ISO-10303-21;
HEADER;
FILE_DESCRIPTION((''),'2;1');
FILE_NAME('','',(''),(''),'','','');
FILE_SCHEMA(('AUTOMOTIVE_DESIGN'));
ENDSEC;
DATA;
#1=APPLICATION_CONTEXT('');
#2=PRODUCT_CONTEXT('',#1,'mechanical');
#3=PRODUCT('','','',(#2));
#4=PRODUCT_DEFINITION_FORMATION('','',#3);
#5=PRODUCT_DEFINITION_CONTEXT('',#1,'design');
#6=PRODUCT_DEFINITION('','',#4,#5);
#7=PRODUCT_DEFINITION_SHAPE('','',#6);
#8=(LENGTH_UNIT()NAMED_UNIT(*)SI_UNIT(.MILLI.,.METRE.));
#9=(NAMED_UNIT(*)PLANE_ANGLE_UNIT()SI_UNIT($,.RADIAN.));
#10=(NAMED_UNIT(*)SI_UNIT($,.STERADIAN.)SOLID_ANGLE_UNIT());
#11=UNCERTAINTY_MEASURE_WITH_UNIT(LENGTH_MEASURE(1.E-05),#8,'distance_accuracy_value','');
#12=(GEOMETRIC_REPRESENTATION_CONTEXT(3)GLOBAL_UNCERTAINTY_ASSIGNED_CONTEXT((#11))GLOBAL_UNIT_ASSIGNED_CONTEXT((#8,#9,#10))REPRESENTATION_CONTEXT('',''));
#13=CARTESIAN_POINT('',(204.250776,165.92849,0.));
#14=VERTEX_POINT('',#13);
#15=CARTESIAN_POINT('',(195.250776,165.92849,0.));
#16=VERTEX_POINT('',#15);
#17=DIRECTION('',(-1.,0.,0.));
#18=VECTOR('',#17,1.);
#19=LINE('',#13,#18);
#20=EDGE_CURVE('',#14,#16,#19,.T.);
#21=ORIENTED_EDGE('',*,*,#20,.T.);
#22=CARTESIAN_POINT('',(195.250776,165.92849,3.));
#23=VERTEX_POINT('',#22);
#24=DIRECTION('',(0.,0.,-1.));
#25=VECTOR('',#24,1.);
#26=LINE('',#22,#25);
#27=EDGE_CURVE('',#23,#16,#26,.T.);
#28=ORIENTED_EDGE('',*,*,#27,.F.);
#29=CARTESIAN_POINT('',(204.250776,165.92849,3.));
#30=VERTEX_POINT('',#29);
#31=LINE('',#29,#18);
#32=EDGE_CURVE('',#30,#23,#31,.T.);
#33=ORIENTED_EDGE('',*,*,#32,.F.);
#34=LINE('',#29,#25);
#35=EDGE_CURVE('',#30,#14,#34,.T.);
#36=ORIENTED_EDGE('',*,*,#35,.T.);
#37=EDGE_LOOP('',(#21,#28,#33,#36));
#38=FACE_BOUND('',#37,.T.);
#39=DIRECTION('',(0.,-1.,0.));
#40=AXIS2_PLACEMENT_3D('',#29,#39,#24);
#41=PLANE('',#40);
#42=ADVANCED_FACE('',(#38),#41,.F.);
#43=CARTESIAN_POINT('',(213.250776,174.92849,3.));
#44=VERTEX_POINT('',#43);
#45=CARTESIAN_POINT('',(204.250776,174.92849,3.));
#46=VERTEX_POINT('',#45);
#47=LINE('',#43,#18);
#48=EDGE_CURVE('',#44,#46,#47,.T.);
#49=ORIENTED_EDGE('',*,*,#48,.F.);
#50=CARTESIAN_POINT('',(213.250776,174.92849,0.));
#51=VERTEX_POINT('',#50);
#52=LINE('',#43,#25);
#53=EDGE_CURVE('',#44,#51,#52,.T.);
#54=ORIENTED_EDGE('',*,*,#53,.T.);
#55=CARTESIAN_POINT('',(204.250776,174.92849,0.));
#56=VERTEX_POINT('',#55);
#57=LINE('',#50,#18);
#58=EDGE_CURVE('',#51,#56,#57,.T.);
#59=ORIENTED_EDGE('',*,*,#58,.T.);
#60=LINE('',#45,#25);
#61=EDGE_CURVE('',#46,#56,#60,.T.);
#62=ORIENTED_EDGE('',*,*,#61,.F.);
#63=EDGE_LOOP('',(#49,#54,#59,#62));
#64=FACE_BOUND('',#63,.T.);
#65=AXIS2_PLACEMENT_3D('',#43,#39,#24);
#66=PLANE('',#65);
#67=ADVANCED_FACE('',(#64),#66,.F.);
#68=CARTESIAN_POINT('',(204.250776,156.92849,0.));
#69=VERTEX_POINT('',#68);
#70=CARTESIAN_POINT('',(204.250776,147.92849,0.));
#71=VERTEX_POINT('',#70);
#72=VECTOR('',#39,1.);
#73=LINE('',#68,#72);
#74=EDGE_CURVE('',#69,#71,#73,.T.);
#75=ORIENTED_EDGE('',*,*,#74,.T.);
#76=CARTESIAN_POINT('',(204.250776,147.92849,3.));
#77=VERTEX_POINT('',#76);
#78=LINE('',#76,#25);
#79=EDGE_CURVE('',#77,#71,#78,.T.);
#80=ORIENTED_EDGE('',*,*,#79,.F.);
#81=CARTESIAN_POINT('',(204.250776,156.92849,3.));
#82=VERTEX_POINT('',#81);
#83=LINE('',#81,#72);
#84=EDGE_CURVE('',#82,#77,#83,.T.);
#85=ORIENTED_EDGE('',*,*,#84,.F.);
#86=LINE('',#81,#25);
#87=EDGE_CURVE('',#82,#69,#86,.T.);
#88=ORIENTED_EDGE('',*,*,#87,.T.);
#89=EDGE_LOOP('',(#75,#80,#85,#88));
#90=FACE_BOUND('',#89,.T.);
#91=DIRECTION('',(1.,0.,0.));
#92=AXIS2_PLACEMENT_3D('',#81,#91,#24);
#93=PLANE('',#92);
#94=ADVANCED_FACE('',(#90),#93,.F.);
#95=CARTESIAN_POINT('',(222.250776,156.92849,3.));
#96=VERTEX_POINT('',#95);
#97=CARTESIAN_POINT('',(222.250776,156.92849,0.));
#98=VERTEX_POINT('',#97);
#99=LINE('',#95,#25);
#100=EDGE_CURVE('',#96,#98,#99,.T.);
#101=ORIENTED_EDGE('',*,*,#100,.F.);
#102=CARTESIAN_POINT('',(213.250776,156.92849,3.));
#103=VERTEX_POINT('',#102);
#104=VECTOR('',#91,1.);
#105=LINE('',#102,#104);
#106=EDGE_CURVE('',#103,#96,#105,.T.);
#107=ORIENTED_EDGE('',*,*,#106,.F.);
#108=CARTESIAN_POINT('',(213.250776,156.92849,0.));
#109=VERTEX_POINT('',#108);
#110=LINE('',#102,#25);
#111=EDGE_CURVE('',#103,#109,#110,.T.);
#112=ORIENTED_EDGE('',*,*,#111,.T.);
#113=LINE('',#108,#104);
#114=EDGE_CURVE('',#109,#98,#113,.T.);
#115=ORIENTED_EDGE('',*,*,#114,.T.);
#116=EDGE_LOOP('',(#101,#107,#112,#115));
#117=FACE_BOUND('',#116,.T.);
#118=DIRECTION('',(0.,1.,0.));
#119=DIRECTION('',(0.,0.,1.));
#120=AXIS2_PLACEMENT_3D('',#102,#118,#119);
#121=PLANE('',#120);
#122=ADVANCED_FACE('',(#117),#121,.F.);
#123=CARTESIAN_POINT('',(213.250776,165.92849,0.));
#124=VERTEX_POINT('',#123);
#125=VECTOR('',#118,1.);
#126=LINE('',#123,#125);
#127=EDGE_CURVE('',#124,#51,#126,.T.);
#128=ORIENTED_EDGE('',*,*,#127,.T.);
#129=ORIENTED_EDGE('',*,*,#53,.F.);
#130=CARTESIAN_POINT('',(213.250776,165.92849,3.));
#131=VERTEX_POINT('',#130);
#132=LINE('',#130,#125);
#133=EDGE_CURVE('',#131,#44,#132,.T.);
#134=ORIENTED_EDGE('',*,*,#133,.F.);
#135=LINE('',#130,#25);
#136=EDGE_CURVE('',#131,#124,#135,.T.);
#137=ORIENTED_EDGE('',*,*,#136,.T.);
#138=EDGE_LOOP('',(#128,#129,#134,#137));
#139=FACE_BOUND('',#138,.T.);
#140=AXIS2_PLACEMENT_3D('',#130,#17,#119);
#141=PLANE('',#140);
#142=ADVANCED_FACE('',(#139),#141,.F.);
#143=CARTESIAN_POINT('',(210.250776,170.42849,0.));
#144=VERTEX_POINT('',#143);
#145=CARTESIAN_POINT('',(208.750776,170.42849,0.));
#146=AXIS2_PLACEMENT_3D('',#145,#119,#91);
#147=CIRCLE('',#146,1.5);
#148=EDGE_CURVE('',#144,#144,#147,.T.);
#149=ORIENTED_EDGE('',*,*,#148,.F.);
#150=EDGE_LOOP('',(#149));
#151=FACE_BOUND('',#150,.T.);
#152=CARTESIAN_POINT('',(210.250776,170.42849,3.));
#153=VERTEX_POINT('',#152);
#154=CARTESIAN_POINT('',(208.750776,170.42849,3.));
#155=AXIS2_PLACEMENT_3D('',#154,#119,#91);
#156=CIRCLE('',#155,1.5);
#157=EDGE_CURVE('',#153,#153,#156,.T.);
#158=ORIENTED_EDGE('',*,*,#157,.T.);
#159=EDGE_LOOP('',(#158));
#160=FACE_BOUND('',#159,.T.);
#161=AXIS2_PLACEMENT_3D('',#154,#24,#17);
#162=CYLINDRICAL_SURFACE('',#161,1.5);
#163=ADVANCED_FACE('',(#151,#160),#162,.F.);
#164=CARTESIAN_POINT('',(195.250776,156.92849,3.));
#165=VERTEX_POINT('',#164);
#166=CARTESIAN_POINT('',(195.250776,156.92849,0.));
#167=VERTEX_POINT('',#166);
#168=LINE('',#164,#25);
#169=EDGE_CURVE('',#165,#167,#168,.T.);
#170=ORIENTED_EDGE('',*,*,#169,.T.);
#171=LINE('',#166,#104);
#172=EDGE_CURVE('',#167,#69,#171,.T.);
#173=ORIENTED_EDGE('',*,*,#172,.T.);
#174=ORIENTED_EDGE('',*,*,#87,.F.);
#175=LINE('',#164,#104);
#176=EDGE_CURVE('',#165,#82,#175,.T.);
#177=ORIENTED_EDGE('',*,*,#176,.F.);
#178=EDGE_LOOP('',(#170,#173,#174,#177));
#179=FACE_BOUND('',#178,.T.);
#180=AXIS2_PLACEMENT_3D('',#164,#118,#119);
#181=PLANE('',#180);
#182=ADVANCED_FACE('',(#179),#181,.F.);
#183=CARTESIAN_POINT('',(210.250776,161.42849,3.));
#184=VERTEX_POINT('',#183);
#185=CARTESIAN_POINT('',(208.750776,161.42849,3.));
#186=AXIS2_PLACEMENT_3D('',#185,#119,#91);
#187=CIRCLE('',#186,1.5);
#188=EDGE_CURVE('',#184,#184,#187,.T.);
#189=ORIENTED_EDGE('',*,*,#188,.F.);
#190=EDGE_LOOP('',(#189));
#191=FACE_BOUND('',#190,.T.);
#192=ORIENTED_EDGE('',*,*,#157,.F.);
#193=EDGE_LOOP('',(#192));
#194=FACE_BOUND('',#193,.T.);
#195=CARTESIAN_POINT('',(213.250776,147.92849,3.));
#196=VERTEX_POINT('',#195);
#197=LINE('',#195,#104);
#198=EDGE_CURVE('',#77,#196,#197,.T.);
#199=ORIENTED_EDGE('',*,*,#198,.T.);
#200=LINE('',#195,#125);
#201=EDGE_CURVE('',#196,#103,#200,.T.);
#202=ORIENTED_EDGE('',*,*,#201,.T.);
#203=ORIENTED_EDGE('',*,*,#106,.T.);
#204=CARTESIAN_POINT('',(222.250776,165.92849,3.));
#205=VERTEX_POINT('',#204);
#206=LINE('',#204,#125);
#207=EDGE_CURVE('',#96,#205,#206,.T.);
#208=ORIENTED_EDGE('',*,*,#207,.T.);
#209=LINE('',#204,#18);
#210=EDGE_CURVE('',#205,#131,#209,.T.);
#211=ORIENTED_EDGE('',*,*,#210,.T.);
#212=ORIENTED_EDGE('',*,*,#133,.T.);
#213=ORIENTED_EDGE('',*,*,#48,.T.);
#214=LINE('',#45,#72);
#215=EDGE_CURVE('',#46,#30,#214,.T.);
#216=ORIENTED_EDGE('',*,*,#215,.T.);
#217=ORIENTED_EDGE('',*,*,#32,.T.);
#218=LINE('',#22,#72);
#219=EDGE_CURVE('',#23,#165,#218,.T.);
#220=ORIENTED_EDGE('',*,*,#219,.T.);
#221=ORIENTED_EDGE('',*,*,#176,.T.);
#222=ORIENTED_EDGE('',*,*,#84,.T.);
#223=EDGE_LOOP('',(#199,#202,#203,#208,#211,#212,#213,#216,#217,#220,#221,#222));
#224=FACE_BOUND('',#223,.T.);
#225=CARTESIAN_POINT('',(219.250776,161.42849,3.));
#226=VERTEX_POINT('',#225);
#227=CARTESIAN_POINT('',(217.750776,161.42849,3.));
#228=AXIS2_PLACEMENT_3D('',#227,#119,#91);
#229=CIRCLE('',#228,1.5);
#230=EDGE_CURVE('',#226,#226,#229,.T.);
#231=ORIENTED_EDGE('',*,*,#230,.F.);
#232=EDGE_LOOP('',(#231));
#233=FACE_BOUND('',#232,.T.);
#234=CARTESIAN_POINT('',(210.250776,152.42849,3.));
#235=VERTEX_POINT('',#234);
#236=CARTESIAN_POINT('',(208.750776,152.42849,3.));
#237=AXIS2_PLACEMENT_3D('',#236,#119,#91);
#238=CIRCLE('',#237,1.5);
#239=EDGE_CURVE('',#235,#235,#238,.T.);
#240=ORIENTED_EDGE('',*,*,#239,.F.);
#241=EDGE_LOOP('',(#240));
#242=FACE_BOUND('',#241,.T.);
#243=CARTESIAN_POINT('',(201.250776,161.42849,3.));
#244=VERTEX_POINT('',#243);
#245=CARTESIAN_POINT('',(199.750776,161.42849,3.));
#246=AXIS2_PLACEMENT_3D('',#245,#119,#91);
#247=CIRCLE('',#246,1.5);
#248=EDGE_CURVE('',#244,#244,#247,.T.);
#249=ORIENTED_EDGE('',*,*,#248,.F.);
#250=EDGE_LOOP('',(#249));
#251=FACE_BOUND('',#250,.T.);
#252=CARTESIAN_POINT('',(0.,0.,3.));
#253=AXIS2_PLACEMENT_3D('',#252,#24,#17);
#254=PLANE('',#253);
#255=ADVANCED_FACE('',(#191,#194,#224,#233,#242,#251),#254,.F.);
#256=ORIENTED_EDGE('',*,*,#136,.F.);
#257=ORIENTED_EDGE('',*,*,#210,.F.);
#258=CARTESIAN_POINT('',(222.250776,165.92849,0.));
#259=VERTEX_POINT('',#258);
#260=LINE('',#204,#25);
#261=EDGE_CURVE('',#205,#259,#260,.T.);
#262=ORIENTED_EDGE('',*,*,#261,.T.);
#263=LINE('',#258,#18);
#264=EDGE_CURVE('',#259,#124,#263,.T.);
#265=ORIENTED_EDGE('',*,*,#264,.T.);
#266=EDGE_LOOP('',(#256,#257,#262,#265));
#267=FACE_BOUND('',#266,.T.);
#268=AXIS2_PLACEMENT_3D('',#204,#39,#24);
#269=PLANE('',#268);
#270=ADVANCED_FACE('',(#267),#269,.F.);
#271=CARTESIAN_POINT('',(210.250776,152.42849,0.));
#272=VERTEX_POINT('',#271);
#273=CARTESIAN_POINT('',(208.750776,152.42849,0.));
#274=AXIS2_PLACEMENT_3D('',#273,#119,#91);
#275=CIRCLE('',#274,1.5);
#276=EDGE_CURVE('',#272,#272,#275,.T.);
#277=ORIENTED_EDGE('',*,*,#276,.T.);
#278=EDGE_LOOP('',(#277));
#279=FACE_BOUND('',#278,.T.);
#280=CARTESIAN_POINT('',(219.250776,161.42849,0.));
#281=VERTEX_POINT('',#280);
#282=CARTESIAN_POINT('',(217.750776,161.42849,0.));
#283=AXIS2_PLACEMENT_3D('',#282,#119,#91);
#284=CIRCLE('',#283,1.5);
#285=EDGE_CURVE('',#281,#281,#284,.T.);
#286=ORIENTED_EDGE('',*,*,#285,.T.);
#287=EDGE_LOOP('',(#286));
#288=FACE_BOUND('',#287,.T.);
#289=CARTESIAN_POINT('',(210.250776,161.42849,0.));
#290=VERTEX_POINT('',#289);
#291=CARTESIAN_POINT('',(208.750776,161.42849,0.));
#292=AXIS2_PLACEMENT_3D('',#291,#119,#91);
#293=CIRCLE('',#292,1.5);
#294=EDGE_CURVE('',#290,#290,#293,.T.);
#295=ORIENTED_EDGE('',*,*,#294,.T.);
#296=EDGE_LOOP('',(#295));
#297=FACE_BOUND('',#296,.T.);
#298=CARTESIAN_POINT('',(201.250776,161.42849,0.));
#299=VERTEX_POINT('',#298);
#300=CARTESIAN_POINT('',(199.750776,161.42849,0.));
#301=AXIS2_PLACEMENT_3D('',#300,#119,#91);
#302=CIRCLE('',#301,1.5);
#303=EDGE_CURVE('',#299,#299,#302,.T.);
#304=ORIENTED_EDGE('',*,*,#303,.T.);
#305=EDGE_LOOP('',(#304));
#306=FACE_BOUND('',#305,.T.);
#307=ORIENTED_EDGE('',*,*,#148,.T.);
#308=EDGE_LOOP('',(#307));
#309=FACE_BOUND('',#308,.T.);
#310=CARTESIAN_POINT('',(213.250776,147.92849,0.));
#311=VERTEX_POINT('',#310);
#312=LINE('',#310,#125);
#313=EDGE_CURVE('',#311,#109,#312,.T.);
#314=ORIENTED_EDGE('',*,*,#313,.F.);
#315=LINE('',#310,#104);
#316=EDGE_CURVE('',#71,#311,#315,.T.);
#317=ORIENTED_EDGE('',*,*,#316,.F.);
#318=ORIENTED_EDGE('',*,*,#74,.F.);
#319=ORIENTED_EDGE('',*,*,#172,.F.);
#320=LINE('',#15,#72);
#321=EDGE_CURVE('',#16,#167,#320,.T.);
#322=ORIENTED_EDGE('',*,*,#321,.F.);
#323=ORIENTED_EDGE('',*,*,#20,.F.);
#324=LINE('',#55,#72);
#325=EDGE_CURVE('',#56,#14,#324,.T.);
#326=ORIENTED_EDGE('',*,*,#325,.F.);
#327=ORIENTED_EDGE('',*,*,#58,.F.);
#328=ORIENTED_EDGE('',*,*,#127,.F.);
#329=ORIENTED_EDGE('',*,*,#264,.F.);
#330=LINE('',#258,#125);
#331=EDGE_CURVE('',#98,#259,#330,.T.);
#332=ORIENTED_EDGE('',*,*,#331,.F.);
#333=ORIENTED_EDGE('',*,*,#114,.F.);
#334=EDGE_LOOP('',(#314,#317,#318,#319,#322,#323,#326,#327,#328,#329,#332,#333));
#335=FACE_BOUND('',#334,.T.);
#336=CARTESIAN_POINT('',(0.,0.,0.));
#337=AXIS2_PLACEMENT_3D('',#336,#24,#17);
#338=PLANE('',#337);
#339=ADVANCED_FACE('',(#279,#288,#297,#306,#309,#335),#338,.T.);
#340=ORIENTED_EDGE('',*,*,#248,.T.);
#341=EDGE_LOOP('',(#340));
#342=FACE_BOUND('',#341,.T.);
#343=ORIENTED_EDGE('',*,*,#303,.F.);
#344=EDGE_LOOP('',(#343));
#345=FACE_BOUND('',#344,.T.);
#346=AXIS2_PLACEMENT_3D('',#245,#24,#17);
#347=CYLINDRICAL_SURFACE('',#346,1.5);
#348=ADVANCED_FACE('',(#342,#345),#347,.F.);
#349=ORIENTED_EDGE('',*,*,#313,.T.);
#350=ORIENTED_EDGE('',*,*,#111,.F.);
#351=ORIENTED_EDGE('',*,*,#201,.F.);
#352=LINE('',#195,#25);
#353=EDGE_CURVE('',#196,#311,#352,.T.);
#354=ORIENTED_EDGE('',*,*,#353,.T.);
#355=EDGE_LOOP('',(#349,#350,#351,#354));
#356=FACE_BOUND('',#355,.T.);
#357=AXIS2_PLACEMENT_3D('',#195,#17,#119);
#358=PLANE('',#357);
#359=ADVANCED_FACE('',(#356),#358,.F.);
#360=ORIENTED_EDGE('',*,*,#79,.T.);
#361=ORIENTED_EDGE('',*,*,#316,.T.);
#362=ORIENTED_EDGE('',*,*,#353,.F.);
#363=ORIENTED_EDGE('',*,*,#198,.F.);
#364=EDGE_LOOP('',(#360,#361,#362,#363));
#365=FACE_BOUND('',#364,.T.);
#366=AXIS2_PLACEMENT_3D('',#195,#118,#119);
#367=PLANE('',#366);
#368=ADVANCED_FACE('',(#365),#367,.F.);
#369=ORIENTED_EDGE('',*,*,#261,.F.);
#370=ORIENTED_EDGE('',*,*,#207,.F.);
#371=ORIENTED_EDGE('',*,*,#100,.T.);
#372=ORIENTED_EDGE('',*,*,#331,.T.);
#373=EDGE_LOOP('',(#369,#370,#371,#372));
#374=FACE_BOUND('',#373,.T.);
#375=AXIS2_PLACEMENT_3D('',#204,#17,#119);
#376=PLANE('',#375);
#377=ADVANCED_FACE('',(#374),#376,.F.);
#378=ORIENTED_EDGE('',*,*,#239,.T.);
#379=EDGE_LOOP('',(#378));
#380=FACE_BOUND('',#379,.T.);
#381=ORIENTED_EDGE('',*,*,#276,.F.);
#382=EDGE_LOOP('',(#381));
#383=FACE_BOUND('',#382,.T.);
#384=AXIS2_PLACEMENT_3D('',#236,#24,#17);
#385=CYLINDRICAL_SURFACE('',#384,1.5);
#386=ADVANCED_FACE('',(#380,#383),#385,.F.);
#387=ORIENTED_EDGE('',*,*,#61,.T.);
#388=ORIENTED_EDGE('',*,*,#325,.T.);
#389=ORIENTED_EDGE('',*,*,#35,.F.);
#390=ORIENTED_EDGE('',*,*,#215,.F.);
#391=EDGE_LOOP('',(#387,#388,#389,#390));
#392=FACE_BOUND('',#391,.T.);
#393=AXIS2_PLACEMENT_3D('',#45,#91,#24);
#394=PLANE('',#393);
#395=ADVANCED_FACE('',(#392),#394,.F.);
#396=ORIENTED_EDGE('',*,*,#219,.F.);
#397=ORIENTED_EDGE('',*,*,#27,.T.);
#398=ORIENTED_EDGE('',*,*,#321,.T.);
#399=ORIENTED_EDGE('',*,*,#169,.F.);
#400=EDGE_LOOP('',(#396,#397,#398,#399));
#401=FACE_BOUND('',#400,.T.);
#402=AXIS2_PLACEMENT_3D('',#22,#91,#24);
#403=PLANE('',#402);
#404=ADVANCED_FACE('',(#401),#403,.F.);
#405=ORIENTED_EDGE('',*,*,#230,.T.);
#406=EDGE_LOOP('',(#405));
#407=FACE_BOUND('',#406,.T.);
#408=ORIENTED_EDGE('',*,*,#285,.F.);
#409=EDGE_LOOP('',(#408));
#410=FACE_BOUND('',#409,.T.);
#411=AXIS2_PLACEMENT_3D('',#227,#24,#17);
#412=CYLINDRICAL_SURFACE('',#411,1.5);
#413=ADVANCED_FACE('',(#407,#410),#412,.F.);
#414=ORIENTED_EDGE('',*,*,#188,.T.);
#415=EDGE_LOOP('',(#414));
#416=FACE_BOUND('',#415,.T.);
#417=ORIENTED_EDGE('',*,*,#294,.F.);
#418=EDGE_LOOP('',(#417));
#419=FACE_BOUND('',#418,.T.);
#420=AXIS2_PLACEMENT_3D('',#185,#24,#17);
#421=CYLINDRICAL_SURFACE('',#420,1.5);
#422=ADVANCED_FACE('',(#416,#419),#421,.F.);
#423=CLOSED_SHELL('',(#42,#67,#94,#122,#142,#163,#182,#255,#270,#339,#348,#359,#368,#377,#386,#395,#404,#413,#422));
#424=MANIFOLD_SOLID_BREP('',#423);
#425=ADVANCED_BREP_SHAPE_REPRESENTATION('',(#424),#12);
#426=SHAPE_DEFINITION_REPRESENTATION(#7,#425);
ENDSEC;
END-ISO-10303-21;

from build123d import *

# Parameters (mm, degrees)
MODEL_R                 = 1.5
SALIENTE_EXTRUIR1_DEPTH = 3


with BuildPart() as part:
    # Model → Saliente-Extruir1 (new body)
    with BuildSketch(Plane.XY):
        Polygon((213.25077615, 165.928489513), (213.25077615, 174.928489513), (204.25077615, 174.928489513), (204.25077615, 165.928489513), (195.25077615, 165.928489513), (195.25077615, 156.928489513), (204.25077615, 156.928489513), (204.25077615, 147.928489513), (213.25077615, 147.928489513), (213.25077615, 156.928489513), (222.25077615, 156.928489513), (222.25077615, 165.928489513), align=None)
        with Locations((208.75077615, 152.428489513)):
            Circle(MODEL_R, mode=Mode.SUBTRACT)
        with Locations((208.75077615, 161.428489513)):
            Circle(MODEL_R, mode=Mode.SUBTRACT)
        with Locations((208.75077615, 170.428489513)):
            Circle(MODEL_R, mode=Mode.SUBTRACT)
        with Locations((199.75077615, 161.428489513)):
            Circle(MODEL_R, mode=Mode.SUBTRACT)
        with Locations((217.75077615, 161.428489513)):
            Circle(MODEL_R, mode=Mode.SUBTRACT)
    extrude(amount=SALIENTE_EXTRUIR1_DEPTH)


solid = part.part
